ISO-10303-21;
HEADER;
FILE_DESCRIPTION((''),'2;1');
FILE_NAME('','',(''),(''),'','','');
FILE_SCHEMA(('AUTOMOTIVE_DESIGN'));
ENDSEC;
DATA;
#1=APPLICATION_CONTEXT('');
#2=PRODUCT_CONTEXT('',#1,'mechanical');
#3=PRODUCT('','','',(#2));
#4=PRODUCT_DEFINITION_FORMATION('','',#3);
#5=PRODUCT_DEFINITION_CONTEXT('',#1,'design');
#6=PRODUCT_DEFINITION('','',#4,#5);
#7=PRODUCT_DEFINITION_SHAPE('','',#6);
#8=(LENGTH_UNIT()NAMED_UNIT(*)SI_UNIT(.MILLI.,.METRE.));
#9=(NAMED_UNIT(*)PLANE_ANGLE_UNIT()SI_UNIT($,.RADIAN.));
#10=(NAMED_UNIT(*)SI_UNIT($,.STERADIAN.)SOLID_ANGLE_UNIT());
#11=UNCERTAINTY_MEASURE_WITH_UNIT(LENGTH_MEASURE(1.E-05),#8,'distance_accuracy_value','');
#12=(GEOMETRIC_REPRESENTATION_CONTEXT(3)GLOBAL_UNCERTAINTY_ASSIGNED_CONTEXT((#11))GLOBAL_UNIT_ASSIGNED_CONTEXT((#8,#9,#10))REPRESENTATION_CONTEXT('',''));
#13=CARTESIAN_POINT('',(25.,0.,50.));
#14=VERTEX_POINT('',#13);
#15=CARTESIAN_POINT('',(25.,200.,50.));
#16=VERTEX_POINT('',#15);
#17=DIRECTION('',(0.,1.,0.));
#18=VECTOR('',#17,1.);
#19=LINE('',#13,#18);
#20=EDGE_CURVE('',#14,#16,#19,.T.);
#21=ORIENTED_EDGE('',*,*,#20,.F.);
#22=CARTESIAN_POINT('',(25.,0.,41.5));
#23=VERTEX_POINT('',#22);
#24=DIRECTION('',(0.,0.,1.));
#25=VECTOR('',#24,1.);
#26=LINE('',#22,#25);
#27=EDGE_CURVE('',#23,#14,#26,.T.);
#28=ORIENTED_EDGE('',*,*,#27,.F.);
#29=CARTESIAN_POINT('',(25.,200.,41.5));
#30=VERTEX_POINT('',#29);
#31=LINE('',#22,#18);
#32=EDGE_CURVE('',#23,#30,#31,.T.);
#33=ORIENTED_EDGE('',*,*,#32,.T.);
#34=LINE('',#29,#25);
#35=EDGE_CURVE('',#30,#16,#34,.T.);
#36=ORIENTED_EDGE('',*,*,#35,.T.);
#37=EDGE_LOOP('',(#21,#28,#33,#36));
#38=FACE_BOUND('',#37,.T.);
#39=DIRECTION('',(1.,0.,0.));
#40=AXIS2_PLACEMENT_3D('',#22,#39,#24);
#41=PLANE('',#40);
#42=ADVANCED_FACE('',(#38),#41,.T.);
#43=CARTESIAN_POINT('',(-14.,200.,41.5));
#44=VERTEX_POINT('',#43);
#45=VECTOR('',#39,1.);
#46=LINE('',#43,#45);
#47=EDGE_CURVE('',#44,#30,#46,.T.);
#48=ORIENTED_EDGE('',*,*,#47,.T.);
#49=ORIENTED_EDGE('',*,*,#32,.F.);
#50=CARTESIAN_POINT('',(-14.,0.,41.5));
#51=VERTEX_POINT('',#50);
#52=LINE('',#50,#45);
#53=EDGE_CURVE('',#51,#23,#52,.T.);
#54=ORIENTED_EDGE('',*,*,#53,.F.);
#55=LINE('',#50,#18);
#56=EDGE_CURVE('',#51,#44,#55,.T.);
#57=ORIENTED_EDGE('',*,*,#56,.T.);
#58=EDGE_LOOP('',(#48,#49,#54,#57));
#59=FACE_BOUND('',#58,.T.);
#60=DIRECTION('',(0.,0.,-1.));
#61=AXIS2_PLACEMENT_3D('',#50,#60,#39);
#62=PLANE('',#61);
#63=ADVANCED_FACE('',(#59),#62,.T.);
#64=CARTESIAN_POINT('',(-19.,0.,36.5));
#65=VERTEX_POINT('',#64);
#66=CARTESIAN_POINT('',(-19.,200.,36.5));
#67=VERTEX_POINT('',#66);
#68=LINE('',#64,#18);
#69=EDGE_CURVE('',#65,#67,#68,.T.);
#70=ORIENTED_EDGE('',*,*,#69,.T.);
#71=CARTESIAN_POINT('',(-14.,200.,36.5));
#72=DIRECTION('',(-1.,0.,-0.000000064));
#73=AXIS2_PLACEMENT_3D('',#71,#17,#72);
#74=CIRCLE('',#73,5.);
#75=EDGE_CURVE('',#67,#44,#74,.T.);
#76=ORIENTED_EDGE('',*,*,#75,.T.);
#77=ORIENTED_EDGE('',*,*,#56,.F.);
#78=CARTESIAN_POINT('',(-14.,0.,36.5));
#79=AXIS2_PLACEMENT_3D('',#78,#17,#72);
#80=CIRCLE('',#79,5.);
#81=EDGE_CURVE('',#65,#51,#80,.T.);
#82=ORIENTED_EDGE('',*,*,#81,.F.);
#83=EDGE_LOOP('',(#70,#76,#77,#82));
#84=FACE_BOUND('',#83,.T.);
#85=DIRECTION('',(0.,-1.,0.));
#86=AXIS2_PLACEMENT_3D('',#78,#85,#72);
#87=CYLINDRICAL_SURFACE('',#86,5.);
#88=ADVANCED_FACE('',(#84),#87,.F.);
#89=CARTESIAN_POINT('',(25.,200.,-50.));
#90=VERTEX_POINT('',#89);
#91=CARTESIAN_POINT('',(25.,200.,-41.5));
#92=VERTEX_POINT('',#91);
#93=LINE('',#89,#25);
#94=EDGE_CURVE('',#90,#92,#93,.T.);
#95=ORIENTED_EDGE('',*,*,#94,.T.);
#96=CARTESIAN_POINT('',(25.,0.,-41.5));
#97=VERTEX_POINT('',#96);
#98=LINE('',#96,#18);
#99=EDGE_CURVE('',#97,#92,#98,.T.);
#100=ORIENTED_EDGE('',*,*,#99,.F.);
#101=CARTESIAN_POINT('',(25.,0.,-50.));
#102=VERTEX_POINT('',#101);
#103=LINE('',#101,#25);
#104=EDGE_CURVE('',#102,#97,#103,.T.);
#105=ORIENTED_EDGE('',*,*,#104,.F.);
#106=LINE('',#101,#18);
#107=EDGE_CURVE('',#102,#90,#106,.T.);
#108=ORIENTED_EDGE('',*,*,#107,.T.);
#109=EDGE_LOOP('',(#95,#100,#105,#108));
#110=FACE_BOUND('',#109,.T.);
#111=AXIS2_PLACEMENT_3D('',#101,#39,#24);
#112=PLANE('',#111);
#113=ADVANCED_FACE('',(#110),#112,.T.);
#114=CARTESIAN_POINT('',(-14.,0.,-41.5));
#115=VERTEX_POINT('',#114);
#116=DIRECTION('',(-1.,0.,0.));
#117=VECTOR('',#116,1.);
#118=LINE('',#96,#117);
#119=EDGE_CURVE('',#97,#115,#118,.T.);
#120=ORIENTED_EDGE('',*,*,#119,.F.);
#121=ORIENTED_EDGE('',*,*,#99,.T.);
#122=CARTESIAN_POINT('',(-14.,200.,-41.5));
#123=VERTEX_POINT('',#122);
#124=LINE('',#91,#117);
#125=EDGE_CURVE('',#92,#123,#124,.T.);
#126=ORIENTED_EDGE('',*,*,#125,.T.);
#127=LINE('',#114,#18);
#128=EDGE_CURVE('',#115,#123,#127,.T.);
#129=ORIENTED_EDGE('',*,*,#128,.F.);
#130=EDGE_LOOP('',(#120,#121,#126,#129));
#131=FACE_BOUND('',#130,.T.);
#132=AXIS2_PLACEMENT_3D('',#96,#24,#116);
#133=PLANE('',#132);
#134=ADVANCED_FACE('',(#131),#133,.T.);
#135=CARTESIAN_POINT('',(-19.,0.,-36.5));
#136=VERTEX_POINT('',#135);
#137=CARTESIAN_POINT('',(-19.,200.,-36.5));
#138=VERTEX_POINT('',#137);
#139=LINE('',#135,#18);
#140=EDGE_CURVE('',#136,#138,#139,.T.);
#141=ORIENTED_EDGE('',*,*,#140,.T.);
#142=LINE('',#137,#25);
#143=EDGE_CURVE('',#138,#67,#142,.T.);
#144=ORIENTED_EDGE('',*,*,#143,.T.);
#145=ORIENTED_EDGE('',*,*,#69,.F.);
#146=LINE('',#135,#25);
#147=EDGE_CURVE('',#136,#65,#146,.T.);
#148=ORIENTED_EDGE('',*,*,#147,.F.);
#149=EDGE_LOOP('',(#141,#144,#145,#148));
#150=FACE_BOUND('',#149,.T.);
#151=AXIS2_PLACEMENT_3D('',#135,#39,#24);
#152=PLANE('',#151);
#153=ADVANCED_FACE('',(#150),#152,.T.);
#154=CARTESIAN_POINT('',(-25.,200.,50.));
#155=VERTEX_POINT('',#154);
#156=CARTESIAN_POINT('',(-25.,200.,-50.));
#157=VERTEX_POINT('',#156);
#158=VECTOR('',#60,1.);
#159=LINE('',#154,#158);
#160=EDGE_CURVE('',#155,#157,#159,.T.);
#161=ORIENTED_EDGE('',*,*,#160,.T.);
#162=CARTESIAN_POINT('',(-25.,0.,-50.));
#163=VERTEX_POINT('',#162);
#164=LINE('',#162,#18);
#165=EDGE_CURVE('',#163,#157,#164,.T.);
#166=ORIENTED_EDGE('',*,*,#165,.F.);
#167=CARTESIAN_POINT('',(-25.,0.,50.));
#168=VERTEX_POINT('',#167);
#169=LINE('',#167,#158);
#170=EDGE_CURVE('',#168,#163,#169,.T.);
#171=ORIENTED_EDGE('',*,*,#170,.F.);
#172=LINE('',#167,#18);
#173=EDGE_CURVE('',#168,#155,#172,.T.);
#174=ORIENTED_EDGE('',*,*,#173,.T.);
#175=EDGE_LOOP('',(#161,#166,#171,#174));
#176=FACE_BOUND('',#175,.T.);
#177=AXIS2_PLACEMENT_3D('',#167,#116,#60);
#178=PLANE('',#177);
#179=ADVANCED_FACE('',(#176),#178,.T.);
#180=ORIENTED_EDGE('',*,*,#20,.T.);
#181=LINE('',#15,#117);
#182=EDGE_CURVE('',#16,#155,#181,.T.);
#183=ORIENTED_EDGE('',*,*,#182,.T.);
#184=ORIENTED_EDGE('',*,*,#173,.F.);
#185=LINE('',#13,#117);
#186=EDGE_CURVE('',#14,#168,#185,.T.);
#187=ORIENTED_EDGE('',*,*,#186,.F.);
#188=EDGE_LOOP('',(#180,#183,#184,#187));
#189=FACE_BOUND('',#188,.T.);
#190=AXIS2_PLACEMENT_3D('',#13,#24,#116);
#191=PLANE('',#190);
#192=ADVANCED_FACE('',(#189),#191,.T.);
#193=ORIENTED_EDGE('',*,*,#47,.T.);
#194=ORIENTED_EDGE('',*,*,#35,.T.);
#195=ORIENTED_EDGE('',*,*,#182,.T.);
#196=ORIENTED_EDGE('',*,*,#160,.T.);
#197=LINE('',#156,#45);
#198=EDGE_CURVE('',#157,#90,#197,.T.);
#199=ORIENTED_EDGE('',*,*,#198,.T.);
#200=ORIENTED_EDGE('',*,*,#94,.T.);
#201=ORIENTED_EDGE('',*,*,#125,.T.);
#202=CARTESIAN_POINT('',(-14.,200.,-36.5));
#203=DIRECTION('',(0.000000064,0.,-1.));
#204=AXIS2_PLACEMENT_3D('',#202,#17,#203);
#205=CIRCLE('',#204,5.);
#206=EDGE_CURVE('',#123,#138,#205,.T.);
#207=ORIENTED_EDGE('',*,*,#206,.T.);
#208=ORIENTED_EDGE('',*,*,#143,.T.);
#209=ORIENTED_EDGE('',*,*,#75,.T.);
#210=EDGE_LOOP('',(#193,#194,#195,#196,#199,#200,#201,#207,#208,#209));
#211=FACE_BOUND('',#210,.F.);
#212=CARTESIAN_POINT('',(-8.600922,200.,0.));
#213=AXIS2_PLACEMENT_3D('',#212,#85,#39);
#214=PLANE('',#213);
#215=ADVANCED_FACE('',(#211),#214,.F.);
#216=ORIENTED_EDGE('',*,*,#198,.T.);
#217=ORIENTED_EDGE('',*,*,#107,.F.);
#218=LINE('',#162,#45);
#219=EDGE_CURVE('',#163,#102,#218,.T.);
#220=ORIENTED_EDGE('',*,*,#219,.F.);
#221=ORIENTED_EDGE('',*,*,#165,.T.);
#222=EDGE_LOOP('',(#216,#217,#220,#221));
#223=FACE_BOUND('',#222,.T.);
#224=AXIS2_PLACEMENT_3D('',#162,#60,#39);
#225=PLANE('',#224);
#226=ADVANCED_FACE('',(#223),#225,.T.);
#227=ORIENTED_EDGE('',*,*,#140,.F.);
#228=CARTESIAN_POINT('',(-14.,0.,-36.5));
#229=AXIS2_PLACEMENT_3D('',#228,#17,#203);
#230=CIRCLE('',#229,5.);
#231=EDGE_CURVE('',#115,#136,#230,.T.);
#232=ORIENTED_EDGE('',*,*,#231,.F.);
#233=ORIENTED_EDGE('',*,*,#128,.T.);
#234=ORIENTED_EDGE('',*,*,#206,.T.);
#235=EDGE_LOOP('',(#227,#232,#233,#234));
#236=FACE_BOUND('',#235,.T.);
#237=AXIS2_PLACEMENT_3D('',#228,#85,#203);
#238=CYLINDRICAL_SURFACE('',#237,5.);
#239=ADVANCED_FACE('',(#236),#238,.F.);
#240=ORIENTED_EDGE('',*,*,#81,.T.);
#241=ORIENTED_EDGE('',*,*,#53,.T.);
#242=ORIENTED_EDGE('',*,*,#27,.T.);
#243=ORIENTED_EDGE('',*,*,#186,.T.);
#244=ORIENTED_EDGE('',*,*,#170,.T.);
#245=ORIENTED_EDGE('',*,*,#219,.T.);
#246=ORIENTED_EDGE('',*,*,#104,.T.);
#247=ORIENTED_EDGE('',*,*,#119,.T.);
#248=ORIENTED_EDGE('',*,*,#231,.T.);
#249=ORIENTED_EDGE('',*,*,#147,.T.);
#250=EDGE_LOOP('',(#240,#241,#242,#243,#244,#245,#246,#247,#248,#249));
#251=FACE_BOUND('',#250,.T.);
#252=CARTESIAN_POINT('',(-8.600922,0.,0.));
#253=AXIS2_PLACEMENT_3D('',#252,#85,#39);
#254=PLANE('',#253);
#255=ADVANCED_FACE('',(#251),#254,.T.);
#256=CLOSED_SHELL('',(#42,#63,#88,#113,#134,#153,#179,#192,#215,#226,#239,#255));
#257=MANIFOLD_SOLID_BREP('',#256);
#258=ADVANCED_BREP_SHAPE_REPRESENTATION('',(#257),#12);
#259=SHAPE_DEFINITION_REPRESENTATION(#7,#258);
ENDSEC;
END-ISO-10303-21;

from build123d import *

# Parameters (mm, degrees)
F1_DEPTH = 200


with BuildPart() as f1:
    # F0 (on Front) → F1 (new body)
    with BuildSketch(Plane.XZ):
        with BuildLine():
            Line((25, 41.5), (25, 50))
            Line((25, 50), (-25, 50))
            Line((-25, 50), (-25, -50))
            Line((-25, -50), (25, -50))
            Line((25, -50), (25, -41.5))
            Line((25, -41.5), (-14, -41.5))
            ThreePointArc((-14, -41.5), (-17.535534, -40.035534), (-19, -36.5))
            Line((-19, -36.5), (-19, 36.5))
            ThreePointArc((-19, 36.5), (-17.535534, 40.035534), (-14, 41.5))
            Line((-14, 41.5), (25, 41.5))
        make_face()
    extrude(amount=-F1_DEPTH)


solid = f1.part
